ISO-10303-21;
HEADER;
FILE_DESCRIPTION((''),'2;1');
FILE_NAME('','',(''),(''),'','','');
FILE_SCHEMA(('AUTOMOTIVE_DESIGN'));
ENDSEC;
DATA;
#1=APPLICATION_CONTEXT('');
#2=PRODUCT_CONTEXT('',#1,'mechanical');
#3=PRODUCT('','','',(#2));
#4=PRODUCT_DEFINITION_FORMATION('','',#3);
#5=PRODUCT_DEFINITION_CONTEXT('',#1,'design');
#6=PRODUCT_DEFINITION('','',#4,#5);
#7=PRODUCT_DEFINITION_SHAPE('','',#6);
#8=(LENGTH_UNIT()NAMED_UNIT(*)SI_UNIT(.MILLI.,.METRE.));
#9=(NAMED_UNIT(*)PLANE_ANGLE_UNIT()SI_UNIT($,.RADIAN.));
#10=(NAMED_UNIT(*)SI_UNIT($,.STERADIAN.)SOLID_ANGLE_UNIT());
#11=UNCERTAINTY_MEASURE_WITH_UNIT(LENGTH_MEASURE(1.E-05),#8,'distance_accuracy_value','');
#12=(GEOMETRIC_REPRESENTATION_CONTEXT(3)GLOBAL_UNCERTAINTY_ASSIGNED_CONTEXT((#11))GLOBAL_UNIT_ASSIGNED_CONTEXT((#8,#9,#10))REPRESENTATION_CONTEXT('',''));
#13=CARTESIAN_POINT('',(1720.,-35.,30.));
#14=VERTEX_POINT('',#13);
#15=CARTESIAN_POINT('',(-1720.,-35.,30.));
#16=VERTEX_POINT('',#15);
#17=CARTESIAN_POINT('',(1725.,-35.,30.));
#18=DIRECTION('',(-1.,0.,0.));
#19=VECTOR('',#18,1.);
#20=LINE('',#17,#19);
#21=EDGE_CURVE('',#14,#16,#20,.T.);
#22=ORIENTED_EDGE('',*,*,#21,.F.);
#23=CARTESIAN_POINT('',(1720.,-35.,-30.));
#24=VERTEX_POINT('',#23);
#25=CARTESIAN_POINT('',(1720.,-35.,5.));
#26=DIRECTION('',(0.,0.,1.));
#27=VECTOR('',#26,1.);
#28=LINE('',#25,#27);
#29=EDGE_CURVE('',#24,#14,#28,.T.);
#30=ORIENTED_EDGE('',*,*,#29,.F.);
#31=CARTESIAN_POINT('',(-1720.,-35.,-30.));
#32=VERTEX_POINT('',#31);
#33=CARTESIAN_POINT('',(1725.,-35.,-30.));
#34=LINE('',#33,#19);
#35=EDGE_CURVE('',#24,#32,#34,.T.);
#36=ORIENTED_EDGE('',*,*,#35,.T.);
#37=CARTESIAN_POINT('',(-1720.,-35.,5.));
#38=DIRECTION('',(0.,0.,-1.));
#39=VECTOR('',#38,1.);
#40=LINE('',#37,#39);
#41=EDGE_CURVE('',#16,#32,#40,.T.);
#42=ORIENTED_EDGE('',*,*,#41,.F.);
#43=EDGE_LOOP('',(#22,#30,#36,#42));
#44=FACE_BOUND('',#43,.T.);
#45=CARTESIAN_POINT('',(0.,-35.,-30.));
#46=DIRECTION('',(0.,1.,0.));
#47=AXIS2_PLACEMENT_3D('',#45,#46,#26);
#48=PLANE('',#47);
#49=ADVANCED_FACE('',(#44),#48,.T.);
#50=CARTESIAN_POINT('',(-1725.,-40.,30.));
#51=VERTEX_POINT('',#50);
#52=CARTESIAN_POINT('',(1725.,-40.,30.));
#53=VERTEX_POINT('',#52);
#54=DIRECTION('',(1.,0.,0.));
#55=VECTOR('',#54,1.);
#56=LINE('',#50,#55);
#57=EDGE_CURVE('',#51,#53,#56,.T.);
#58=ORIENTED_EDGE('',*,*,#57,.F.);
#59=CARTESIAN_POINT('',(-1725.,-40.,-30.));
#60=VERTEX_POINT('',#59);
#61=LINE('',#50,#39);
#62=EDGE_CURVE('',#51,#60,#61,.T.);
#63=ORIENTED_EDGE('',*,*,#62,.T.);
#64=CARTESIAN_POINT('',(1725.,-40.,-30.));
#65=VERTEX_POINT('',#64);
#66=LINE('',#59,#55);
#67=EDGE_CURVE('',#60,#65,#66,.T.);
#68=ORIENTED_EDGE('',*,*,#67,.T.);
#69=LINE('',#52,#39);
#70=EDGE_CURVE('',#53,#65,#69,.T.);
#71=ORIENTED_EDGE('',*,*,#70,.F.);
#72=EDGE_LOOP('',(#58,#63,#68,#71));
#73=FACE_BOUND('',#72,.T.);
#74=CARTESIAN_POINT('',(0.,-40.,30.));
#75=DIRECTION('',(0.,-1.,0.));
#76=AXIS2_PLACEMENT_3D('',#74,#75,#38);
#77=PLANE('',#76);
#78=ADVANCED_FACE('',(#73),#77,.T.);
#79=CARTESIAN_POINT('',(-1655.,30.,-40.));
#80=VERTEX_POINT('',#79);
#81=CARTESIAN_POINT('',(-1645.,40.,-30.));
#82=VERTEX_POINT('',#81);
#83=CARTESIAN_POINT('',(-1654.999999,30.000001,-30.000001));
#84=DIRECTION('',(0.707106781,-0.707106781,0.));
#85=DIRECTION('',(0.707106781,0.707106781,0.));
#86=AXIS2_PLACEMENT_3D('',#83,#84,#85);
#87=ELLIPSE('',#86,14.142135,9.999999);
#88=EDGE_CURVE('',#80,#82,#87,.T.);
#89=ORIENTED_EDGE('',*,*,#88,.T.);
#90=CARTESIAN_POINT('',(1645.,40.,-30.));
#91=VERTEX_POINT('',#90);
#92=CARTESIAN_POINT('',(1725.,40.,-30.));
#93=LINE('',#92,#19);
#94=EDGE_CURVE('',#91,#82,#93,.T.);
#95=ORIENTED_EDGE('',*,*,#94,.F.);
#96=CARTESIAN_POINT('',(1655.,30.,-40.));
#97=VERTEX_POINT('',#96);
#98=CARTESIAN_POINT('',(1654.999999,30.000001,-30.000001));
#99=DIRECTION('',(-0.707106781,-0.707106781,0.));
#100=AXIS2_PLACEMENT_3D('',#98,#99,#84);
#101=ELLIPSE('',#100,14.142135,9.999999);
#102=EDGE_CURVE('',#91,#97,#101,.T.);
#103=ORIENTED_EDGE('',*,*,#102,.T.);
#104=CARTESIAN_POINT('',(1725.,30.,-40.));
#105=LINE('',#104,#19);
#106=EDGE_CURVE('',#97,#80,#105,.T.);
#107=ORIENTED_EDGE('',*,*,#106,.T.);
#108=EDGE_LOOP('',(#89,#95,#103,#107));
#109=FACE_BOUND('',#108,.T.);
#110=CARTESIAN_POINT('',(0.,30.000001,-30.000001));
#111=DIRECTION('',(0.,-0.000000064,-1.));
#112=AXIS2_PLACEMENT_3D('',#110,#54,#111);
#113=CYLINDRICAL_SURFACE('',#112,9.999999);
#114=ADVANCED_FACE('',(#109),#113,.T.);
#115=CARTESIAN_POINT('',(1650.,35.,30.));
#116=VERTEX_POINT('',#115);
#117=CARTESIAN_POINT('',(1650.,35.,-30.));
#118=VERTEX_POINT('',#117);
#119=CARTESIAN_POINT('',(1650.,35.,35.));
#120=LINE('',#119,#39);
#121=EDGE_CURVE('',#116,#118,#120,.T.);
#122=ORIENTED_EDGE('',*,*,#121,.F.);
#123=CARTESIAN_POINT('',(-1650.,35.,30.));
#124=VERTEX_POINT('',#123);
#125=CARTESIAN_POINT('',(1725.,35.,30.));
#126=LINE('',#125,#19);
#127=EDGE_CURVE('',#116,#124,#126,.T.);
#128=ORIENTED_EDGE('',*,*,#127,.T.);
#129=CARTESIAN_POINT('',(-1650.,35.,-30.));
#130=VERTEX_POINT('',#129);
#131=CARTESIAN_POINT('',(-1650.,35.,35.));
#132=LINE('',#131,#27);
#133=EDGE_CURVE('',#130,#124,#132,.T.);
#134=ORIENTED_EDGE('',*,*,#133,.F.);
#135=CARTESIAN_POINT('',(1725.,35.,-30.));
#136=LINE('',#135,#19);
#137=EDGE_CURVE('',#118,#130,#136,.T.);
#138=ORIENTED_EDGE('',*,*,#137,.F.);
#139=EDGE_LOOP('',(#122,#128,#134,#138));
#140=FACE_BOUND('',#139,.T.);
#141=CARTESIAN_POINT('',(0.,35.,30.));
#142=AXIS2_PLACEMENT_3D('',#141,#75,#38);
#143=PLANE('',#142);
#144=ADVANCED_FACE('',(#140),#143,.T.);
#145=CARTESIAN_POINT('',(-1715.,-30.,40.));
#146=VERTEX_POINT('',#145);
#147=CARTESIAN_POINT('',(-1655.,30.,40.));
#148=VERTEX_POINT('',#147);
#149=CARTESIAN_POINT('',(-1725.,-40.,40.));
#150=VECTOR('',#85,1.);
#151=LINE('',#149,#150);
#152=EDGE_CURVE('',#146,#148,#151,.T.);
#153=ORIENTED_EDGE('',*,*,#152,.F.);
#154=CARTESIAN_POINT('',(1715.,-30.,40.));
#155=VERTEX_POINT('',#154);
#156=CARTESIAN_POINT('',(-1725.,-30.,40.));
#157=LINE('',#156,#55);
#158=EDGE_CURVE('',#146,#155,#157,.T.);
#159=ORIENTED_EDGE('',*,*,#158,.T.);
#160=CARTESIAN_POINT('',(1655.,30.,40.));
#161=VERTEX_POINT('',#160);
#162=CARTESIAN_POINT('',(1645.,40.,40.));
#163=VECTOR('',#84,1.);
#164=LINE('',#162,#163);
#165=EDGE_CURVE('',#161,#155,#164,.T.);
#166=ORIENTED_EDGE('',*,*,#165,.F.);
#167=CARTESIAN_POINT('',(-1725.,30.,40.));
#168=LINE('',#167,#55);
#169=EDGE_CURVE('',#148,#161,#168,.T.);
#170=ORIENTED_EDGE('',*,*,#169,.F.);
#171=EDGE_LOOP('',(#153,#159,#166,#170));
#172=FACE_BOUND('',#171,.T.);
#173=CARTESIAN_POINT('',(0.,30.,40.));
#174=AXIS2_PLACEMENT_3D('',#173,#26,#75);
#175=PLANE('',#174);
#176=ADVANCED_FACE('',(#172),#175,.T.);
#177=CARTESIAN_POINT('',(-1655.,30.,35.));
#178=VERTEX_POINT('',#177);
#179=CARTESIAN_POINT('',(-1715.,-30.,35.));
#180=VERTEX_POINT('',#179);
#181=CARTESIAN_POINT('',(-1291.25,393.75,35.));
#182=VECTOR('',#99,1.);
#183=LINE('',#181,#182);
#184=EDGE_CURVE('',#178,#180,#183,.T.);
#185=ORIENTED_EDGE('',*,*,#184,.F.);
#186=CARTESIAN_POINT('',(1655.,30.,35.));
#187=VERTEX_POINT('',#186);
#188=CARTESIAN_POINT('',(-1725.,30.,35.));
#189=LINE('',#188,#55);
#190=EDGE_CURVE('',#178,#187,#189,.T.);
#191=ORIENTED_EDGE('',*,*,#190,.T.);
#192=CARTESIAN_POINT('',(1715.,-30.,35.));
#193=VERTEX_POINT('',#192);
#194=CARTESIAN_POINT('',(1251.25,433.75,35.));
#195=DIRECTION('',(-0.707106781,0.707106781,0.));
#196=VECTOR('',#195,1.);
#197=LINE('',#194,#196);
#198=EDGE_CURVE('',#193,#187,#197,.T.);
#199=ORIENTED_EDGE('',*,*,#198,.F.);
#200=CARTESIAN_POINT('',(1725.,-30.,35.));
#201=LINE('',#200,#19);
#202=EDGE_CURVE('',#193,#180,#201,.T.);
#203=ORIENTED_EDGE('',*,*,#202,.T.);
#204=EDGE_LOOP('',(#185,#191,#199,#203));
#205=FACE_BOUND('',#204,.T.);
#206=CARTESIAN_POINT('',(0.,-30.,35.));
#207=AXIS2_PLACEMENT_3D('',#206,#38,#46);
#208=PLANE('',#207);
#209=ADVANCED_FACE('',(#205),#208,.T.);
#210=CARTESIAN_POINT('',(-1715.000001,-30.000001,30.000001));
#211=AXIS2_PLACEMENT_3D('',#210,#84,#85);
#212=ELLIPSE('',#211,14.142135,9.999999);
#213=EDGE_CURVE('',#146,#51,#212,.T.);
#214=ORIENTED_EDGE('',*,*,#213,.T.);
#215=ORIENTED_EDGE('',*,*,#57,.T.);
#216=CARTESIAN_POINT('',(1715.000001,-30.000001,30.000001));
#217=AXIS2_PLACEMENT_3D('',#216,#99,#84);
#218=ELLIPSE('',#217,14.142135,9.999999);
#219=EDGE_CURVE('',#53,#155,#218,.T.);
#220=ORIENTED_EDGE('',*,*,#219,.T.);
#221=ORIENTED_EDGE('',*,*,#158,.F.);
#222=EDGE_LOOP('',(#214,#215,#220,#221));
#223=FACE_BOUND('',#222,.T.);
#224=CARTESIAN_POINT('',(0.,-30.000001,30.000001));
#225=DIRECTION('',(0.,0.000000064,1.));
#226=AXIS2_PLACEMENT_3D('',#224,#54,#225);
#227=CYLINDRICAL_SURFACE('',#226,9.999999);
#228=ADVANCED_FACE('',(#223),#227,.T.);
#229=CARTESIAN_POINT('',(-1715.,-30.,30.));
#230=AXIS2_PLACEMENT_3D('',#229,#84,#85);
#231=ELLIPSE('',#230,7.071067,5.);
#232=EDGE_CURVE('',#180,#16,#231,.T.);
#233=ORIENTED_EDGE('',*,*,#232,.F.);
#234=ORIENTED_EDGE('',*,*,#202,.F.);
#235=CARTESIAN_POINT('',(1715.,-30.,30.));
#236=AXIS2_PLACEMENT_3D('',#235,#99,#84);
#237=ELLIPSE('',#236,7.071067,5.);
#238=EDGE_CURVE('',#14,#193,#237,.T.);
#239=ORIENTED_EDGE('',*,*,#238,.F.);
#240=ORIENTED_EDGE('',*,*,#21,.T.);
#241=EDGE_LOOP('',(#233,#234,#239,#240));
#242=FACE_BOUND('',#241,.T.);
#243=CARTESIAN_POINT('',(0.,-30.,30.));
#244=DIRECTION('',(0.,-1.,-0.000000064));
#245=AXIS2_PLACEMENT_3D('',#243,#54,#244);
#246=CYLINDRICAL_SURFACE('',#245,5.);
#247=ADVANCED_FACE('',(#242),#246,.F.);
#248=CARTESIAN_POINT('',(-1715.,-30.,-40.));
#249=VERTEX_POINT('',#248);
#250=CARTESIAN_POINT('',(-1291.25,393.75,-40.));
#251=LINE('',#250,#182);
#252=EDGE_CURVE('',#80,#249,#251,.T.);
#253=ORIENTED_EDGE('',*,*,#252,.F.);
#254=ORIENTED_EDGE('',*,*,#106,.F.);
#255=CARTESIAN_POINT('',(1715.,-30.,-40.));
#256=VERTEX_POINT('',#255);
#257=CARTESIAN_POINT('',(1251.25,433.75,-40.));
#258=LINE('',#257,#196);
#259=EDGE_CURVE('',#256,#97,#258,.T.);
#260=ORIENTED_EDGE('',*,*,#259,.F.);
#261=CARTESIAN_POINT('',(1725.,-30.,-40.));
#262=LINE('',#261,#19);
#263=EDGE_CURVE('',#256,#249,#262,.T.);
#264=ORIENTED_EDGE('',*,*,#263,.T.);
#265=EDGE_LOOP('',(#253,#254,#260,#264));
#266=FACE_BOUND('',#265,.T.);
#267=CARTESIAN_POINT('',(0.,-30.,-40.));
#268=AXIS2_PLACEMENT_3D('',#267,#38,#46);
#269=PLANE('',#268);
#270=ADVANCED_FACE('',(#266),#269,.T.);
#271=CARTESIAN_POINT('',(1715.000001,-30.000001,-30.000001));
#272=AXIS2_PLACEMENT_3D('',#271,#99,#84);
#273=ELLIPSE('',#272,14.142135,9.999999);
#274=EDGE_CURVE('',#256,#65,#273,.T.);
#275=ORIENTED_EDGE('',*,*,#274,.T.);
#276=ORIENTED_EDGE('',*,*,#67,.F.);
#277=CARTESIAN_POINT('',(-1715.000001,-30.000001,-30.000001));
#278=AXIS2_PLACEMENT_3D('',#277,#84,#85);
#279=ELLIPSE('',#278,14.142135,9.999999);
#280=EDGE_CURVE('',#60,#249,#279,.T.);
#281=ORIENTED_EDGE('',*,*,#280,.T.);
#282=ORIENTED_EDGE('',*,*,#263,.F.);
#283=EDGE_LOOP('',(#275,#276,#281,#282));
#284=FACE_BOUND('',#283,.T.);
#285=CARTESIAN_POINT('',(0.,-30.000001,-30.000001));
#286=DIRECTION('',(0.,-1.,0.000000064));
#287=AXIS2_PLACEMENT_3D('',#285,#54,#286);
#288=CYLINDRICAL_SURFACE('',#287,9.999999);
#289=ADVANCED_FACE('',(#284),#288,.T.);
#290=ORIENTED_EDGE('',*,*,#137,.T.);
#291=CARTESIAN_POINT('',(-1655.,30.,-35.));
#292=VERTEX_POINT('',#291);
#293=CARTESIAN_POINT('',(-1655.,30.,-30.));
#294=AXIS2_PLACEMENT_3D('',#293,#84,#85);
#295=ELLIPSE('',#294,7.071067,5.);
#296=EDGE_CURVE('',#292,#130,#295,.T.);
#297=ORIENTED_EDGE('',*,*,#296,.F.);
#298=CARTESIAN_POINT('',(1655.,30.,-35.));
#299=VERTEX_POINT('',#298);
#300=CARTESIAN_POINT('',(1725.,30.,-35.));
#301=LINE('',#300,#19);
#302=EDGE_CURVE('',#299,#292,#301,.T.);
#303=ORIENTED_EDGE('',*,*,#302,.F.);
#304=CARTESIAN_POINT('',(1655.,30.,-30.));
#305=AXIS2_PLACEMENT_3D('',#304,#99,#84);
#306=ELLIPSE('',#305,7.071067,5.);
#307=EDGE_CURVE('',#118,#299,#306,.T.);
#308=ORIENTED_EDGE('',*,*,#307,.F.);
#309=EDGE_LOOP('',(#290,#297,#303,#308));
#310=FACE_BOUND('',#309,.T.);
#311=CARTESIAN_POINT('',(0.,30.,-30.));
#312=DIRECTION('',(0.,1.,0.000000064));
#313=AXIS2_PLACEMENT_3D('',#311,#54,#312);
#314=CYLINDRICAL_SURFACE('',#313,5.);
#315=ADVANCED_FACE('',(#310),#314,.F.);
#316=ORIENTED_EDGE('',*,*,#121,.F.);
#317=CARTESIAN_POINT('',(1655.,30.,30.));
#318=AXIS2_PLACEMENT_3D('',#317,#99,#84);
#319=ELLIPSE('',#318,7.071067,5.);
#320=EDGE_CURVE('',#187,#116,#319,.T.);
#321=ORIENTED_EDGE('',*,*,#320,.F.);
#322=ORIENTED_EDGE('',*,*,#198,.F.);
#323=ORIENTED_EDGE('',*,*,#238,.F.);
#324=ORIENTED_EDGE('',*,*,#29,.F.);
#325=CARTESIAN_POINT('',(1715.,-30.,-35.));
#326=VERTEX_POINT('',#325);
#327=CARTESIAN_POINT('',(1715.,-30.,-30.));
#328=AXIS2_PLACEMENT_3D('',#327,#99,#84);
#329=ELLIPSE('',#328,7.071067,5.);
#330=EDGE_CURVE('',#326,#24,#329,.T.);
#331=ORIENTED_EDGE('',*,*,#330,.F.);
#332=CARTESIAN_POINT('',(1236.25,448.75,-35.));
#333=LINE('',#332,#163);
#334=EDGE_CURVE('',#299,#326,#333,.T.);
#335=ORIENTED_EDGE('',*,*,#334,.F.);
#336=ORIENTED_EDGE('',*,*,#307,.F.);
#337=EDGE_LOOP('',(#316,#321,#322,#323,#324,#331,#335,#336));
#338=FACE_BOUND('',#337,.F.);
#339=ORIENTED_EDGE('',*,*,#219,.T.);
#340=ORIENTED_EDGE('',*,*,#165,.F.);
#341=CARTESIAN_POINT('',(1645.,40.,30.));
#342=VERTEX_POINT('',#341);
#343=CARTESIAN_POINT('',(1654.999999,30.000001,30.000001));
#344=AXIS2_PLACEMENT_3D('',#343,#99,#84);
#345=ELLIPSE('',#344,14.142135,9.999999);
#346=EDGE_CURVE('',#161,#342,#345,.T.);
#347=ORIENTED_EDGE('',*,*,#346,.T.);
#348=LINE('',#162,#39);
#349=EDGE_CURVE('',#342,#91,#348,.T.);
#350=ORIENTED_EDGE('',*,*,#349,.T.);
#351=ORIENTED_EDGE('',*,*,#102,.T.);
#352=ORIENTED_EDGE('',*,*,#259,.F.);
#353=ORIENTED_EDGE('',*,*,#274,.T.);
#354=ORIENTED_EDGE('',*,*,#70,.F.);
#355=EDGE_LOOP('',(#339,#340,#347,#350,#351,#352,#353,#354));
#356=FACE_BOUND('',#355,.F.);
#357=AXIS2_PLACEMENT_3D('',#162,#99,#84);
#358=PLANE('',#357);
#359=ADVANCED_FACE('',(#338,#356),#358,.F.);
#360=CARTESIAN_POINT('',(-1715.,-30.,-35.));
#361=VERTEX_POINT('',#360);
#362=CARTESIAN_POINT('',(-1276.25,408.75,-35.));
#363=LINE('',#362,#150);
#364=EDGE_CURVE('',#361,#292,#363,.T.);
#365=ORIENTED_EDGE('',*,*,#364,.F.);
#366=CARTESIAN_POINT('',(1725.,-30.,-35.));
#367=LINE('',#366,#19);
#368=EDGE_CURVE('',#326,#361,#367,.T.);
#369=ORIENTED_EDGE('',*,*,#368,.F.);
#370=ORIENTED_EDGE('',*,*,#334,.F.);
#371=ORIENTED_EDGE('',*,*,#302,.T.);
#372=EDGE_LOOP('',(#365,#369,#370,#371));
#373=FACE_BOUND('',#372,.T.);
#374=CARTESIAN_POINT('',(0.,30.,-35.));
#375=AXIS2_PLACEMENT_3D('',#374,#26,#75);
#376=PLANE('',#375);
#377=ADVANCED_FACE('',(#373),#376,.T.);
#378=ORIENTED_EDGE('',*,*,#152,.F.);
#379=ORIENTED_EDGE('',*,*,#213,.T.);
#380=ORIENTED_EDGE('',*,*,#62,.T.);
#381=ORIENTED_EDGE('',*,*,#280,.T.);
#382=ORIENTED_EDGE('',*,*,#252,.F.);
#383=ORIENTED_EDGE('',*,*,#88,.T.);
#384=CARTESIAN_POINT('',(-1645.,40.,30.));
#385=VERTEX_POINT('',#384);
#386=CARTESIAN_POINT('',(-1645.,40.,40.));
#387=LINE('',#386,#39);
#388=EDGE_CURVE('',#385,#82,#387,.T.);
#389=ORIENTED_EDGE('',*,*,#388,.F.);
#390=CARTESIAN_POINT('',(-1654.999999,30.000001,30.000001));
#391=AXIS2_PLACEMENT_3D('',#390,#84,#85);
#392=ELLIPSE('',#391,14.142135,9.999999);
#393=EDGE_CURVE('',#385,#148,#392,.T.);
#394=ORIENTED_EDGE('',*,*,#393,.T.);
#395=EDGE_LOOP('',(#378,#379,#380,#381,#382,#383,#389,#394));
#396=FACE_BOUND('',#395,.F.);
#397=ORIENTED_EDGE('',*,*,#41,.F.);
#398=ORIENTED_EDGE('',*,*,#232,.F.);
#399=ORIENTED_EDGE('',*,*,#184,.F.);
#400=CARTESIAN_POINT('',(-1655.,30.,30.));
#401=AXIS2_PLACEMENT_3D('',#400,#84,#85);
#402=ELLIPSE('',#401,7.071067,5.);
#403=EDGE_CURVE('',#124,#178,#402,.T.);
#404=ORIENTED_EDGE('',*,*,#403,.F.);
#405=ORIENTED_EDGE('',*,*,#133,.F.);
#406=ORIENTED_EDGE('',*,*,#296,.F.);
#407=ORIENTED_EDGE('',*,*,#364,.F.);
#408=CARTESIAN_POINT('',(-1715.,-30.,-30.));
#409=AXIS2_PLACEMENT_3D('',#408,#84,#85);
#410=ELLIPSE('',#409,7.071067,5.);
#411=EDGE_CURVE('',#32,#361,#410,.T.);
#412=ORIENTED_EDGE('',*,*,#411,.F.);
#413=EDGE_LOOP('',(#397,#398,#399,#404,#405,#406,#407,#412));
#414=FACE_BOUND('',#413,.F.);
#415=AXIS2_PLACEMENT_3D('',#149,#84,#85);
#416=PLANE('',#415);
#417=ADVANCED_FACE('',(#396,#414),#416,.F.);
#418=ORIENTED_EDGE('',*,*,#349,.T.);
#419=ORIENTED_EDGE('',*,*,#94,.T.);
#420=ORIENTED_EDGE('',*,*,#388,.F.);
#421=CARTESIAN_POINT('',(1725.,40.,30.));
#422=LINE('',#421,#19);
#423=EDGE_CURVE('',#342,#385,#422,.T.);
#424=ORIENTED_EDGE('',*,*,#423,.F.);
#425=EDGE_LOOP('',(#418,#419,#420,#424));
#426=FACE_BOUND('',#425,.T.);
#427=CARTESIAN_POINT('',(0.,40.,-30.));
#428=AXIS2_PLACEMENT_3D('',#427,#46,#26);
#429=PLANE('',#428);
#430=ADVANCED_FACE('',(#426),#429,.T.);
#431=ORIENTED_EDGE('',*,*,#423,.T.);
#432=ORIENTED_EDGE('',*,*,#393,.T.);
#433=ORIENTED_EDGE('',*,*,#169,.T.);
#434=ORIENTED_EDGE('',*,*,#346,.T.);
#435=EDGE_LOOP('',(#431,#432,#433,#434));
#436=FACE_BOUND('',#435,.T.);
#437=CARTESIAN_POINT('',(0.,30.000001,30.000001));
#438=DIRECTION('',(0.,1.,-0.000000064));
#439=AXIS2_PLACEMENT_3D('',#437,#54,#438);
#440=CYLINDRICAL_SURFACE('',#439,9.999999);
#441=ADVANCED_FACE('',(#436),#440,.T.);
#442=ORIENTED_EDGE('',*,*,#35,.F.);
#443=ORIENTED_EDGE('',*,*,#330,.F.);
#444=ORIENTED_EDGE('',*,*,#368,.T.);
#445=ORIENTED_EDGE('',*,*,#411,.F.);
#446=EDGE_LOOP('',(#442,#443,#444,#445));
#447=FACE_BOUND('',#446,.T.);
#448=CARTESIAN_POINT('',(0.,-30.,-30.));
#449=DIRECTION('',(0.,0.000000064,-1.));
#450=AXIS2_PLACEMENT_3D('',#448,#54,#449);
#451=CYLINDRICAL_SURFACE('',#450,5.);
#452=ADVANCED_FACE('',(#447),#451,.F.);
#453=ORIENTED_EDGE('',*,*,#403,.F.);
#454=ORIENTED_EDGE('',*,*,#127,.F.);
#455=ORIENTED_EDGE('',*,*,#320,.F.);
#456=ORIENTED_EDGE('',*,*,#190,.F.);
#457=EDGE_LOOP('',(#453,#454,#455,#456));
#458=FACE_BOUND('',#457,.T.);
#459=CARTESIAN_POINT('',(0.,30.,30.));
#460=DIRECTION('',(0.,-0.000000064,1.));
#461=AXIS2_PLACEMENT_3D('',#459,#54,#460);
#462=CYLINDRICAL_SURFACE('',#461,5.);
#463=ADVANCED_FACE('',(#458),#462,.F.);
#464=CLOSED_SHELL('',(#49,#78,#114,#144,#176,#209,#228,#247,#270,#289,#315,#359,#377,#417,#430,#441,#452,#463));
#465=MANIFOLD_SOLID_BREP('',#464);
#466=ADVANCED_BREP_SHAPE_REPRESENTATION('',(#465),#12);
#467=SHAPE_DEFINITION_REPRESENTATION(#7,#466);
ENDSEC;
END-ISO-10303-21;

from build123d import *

# Parameters (mm, degrees)
F1_DEPTH = 1725
F3_DEPTH = 80.001


with BuildPart() as f1:
    # F0 (on Right) → F1 (new body, symmetric)
    with BuildSketch(Plane.YZ):
        with BuildLine():
            ThreePointArc((40, 30), (37.071068, 37.071068), (30, 40))
            Line((30, 40), (-30, 40))
            ThreePointArc((-30, 40), (-37.071068, 37.071068), (-40, 30))
            Line((-40, 30), (-40, -30))
            ThreePointArc((-40, -30), (-37.071068, -37.071068), (-30, -40))
            Line((-30, -40), (30, -40))
            ThreePointArc((30, -40), (37.071068, -37.071068), (40, -30))
            Line((40, -30), (40, 30))
        make_face()
        with BuildLine():
            ThreePointArc((30, 35), (33.535534, 33.535534), (35, 30))
            Line((35, 30), (35, -30))
            ThreePointArc((35, -30), (33.535534, -33.535534), (30, -35))
            Line((30, -35), (-30, -35))
            ThreePointArc((-30, -35), (-33.535534, -33.535534), (-35, -30))
            Line((-35, -30), (-35, 30))
            ThreePointArc((-35, 30), (-33.535534, 33.535534), (-30, 35))
            Line((-30, 35), (30, 35))
        make_face(mode=Mode.SUBTRACT)
    extrude(amount=F1_DEPTH, both=True)

    # F2 (on face) → F3 (cut, through all)
    with BuildSketch(Plane.XY.offset(40)):
        Polygon((-1725, 40), (-1725, -40), (-1645, 40), align=None)
        Polygon((1725, -40), (1725, 40), (1645, 40), align=None)
    extrude(amount=-F3_DEPTH, mode=Mode.SUBTRACT)


solid = f1.part
